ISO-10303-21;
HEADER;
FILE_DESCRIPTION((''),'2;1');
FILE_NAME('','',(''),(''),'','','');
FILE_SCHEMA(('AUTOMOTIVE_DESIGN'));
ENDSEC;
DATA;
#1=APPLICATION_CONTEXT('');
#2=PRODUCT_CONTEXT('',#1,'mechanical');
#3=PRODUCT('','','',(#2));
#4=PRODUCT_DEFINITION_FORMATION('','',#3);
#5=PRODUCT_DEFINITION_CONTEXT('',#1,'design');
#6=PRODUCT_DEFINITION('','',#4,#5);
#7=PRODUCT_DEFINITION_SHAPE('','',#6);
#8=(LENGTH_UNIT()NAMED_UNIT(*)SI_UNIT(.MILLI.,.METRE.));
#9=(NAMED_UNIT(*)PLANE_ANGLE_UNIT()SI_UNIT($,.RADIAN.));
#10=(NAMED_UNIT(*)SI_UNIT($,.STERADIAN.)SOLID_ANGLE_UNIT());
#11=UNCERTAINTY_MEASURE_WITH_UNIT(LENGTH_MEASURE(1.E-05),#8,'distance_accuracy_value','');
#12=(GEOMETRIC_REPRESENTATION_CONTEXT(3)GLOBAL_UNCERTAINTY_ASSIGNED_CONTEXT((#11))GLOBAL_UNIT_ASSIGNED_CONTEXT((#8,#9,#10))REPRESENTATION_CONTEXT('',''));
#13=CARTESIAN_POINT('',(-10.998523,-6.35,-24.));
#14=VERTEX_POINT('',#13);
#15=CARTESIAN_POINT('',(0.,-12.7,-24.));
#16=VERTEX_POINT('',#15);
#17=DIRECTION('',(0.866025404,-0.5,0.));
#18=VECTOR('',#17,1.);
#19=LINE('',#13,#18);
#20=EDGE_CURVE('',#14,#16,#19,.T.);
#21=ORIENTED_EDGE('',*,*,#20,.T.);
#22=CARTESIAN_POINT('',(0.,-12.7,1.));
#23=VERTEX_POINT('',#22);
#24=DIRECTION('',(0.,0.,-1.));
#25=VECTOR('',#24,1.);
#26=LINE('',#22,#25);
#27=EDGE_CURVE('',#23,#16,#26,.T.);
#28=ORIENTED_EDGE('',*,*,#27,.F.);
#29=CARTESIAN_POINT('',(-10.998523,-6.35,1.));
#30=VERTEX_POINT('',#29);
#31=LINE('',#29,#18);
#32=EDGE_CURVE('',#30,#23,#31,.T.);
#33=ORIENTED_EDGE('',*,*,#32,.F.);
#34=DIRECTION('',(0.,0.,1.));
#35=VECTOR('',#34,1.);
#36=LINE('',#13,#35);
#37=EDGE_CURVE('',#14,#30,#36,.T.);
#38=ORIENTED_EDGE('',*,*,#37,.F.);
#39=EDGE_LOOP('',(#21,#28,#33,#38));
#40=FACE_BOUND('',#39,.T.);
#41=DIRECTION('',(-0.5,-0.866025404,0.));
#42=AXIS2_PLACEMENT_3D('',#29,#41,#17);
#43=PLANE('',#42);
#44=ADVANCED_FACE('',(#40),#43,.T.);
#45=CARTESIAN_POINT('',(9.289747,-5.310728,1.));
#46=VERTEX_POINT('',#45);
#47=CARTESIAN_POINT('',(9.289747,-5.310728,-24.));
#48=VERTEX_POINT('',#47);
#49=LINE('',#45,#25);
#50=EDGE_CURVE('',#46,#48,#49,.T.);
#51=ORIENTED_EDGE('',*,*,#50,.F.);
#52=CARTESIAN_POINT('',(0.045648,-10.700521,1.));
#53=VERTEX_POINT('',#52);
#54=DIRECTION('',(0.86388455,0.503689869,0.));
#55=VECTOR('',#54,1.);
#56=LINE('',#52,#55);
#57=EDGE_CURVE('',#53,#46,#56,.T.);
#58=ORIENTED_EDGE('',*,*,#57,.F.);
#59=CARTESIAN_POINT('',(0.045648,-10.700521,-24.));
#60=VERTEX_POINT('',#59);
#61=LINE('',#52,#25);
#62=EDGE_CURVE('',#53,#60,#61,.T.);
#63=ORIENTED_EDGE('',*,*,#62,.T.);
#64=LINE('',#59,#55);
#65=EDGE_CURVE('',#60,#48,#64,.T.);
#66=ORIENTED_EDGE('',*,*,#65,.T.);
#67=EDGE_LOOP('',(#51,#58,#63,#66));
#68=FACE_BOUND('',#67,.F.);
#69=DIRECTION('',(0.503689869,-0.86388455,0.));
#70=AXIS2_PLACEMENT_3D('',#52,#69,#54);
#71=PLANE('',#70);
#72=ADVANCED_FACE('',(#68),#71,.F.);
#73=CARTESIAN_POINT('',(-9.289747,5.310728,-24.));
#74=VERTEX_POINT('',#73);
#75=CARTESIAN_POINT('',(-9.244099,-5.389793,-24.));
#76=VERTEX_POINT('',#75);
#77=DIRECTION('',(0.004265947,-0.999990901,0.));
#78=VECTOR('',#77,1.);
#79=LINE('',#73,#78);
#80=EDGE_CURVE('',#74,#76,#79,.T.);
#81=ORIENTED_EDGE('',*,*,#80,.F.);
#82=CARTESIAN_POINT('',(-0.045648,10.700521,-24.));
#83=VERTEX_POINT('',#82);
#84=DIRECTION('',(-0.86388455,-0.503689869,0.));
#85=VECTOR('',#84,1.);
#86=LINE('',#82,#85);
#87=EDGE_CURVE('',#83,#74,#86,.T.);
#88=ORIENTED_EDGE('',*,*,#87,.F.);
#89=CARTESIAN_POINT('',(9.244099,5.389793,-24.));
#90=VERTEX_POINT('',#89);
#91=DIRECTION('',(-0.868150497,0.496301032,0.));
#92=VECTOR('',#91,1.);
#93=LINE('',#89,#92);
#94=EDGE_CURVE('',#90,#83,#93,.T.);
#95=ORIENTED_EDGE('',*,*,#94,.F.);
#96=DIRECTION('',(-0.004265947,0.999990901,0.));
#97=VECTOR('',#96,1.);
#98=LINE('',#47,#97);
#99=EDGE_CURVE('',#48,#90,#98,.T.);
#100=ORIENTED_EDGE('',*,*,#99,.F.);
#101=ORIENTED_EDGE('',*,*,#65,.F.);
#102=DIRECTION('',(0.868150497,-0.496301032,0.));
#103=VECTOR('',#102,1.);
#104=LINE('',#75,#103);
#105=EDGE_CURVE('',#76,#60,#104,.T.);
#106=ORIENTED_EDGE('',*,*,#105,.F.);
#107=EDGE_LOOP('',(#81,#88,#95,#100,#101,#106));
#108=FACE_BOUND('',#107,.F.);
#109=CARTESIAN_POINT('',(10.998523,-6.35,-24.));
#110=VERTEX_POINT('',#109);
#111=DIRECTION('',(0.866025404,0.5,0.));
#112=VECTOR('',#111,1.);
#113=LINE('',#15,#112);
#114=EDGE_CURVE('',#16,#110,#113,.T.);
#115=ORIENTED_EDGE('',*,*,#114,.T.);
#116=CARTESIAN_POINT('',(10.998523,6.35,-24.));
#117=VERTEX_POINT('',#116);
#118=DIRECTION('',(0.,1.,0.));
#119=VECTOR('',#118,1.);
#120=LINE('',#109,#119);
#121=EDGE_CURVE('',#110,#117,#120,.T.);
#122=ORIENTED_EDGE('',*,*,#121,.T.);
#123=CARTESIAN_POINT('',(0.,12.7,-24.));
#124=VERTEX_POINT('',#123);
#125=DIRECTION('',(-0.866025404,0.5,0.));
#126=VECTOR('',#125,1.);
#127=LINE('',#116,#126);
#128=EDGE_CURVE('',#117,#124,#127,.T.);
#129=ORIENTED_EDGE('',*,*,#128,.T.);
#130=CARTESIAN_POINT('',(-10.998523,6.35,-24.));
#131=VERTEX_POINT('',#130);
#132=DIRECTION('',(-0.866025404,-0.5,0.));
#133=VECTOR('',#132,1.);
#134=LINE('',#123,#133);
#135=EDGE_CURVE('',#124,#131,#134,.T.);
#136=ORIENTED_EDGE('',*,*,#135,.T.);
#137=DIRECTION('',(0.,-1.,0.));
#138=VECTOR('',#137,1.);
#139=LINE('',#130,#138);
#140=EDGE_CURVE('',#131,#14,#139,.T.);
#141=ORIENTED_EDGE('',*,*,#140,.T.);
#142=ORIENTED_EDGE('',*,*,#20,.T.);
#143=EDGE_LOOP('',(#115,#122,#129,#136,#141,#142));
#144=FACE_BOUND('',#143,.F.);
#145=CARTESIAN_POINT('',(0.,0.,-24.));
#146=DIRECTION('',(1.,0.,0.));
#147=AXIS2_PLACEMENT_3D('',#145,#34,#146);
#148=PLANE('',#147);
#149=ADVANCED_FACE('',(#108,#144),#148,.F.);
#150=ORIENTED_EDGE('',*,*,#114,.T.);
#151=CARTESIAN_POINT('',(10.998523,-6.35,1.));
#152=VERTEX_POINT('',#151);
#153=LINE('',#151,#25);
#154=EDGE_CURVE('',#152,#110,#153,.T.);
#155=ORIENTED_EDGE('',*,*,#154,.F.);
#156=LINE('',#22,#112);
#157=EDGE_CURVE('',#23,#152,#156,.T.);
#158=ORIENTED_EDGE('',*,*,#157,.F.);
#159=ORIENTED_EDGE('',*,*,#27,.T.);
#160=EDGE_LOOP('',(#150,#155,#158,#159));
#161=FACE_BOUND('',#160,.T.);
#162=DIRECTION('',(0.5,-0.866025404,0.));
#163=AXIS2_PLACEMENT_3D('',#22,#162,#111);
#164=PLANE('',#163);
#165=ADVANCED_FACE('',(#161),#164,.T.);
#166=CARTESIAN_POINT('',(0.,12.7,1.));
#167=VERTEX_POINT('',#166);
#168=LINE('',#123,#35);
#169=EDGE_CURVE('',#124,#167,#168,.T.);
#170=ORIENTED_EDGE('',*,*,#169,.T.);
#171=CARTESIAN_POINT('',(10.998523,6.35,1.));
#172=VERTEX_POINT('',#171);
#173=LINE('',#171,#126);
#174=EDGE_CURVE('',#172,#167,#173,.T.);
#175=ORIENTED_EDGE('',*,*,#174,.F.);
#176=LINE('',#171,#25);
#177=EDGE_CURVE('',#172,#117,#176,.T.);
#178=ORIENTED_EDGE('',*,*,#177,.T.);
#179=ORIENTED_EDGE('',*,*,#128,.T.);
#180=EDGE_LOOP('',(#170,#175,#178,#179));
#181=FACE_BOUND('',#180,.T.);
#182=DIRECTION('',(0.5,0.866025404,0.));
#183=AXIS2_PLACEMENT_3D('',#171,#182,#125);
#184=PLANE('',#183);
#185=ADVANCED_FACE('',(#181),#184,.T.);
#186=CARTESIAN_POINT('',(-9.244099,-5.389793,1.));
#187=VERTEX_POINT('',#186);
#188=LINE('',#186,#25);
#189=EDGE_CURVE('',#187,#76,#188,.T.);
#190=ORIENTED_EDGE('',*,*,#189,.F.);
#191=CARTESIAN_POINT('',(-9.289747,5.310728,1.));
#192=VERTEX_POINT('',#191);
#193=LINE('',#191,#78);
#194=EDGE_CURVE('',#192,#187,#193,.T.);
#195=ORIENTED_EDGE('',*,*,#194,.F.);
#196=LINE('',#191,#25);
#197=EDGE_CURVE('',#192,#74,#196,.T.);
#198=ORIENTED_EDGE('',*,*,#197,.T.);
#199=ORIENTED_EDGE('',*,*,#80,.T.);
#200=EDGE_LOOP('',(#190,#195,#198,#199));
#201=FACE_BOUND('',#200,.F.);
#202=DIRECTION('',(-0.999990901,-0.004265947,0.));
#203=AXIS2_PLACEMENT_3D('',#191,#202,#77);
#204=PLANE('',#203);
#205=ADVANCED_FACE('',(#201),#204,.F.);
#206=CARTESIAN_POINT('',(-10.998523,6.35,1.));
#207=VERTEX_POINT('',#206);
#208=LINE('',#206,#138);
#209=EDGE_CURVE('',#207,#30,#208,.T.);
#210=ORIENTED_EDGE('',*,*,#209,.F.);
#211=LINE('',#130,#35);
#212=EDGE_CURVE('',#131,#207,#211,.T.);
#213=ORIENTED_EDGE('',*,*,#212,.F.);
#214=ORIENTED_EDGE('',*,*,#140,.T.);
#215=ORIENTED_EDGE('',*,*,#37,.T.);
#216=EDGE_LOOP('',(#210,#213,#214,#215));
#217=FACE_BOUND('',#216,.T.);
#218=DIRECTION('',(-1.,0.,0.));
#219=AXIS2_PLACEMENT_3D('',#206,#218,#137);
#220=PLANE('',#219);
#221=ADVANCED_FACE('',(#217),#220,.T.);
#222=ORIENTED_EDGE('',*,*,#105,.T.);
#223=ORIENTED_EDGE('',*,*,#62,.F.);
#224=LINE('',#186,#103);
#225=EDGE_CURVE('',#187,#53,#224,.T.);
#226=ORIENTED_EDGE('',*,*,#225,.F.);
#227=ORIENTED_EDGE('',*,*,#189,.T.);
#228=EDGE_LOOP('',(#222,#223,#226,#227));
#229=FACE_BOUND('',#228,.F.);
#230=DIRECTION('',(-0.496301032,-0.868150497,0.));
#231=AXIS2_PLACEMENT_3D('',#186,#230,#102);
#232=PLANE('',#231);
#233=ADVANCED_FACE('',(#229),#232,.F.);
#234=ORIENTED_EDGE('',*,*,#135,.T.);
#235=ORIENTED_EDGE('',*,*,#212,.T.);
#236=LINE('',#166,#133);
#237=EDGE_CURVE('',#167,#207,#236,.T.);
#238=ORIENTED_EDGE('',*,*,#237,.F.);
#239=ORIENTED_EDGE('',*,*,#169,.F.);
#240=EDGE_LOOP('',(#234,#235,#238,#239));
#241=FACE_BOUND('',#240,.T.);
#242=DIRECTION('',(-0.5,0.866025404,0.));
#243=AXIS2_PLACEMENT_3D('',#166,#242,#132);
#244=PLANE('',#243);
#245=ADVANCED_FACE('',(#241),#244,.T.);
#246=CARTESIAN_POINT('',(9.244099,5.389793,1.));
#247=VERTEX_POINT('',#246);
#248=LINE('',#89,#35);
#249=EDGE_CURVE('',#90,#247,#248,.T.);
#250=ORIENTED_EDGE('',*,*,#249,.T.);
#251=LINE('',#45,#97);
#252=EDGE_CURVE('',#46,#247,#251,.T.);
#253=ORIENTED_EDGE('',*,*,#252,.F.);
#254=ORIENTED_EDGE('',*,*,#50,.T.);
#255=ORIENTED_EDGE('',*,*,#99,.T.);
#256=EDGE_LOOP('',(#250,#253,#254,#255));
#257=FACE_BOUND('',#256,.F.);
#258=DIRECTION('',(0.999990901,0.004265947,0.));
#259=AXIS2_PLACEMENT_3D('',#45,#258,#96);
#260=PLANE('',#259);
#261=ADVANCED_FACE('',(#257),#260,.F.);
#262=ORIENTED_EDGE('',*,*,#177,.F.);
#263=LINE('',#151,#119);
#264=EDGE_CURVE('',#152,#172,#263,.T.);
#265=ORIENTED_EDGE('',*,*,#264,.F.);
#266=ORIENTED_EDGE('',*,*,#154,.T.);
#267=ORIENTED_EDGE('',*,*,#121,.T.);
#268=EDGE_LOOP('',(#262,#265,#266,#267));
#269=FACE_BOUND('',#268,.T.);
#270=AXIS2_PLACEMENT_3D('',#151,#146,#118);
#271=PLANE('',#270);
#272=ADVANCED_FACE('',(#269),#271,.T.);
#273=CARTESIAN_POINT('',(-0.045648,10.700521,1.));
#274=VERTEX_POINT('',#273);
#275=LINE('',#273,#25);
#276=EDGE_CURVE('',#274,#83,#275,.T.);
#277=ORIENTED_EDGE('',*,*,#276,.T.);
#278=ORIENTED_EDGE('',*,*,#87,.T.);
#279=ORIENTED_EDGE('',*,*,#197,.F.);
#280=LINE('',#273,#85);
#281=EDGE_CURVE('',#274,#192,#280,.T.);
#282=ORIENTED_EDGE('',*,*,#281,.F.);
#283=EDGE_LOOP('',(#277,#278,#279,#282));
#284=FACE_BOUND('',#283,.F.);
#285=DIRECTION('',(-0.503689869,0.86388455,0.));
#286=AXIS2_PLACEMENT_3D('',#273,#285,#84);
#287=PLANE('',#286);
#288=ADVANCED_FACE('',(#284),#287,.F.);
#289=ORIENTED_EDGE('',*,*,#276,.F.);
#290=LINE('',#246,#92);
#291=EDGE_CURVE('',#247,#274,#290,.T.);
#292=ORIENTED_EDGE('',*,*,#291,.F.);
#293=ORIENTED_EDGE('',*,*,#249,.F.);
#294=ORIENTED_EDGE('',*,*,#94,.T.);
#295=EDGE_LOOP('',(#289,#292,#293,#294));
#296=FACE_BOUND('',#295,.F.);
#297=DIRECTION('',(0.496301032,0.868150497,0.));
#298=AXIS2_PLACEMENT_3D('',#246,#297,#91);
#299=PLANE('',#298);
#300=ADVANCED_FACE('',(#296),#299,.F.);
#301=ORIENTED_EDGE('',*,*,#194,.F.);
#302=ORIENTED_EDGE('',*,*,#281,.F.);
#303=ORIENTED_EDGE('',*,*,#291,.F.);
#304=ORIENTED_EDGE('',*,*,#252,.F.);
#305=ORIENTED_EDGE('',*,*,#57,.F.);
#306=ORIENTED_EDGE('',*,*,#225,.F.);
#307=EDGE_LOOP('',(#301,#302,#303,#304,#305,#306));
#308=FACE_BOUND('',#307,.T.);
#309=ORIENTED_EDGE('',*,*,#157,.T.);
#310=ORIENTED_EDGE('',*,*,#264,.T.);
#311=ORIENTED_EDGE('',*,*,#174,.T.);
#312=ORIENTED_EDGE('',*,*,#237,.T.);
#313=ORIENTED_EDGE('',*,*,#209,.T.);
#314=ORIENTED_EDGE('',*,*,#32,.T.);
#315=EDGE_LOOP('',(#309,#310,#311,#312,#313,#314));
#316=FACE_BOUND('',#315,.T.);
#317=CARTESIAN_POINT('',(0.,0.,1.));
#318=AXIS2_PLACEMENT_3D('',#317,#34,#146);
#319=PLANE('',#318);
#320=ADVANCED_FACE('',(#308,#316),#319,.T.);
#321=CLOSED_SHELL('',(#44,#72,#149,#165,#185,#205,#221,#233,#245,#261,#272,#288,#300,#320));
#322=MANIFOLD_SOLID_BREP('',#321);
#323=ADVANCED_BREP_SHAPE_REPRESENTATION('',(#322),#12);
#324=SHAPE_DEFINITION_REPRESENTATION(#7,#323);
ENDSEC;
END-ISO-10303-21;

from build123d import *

# Parameters (mm, degrees)
F1_DEPTH = 1
F3_DEPTH = 1
F5_DEPTH = 25.0000003725


with BuildPart() as f1:
    # F0 (on Top) → F1 (new body)
    with BuildSketch(Plane.XY):
        Polygon((10.9985226281, 6.35), (0, 12.7), (-10.9985226281, 6.35), (-10.9985226281, -6.35), (0, -12.7), (10.9985226281, -6.35), align=None)
    extrude(amount=F1_DEPTH)

    # F2 (on Top) → F3 (cut)
    with BuildSketch(Plane.XY):
        Polygon((9.2440988936, 5.389793064), (-0.0456482678, 10.7005210089), (-9.2897471614, 5.310727945), (-9.2440988936, -5.389793064), (0.0456482678, -10.7005210089), (9.2897471614, -5.310727945), align=None)
    extrude(amount=F3_DEPTH, mode=Mode.SUBTRACT)

    # F5 (add): a face of the model
    f5_faces = [f1.faces().sort_by_distance(p)[0] for p in [
        (5.3312561058, 9.2340064434, 1),
    ]]
    extrude(f5_faces, amount=-F5_DEPTH)


solid = f1.part
